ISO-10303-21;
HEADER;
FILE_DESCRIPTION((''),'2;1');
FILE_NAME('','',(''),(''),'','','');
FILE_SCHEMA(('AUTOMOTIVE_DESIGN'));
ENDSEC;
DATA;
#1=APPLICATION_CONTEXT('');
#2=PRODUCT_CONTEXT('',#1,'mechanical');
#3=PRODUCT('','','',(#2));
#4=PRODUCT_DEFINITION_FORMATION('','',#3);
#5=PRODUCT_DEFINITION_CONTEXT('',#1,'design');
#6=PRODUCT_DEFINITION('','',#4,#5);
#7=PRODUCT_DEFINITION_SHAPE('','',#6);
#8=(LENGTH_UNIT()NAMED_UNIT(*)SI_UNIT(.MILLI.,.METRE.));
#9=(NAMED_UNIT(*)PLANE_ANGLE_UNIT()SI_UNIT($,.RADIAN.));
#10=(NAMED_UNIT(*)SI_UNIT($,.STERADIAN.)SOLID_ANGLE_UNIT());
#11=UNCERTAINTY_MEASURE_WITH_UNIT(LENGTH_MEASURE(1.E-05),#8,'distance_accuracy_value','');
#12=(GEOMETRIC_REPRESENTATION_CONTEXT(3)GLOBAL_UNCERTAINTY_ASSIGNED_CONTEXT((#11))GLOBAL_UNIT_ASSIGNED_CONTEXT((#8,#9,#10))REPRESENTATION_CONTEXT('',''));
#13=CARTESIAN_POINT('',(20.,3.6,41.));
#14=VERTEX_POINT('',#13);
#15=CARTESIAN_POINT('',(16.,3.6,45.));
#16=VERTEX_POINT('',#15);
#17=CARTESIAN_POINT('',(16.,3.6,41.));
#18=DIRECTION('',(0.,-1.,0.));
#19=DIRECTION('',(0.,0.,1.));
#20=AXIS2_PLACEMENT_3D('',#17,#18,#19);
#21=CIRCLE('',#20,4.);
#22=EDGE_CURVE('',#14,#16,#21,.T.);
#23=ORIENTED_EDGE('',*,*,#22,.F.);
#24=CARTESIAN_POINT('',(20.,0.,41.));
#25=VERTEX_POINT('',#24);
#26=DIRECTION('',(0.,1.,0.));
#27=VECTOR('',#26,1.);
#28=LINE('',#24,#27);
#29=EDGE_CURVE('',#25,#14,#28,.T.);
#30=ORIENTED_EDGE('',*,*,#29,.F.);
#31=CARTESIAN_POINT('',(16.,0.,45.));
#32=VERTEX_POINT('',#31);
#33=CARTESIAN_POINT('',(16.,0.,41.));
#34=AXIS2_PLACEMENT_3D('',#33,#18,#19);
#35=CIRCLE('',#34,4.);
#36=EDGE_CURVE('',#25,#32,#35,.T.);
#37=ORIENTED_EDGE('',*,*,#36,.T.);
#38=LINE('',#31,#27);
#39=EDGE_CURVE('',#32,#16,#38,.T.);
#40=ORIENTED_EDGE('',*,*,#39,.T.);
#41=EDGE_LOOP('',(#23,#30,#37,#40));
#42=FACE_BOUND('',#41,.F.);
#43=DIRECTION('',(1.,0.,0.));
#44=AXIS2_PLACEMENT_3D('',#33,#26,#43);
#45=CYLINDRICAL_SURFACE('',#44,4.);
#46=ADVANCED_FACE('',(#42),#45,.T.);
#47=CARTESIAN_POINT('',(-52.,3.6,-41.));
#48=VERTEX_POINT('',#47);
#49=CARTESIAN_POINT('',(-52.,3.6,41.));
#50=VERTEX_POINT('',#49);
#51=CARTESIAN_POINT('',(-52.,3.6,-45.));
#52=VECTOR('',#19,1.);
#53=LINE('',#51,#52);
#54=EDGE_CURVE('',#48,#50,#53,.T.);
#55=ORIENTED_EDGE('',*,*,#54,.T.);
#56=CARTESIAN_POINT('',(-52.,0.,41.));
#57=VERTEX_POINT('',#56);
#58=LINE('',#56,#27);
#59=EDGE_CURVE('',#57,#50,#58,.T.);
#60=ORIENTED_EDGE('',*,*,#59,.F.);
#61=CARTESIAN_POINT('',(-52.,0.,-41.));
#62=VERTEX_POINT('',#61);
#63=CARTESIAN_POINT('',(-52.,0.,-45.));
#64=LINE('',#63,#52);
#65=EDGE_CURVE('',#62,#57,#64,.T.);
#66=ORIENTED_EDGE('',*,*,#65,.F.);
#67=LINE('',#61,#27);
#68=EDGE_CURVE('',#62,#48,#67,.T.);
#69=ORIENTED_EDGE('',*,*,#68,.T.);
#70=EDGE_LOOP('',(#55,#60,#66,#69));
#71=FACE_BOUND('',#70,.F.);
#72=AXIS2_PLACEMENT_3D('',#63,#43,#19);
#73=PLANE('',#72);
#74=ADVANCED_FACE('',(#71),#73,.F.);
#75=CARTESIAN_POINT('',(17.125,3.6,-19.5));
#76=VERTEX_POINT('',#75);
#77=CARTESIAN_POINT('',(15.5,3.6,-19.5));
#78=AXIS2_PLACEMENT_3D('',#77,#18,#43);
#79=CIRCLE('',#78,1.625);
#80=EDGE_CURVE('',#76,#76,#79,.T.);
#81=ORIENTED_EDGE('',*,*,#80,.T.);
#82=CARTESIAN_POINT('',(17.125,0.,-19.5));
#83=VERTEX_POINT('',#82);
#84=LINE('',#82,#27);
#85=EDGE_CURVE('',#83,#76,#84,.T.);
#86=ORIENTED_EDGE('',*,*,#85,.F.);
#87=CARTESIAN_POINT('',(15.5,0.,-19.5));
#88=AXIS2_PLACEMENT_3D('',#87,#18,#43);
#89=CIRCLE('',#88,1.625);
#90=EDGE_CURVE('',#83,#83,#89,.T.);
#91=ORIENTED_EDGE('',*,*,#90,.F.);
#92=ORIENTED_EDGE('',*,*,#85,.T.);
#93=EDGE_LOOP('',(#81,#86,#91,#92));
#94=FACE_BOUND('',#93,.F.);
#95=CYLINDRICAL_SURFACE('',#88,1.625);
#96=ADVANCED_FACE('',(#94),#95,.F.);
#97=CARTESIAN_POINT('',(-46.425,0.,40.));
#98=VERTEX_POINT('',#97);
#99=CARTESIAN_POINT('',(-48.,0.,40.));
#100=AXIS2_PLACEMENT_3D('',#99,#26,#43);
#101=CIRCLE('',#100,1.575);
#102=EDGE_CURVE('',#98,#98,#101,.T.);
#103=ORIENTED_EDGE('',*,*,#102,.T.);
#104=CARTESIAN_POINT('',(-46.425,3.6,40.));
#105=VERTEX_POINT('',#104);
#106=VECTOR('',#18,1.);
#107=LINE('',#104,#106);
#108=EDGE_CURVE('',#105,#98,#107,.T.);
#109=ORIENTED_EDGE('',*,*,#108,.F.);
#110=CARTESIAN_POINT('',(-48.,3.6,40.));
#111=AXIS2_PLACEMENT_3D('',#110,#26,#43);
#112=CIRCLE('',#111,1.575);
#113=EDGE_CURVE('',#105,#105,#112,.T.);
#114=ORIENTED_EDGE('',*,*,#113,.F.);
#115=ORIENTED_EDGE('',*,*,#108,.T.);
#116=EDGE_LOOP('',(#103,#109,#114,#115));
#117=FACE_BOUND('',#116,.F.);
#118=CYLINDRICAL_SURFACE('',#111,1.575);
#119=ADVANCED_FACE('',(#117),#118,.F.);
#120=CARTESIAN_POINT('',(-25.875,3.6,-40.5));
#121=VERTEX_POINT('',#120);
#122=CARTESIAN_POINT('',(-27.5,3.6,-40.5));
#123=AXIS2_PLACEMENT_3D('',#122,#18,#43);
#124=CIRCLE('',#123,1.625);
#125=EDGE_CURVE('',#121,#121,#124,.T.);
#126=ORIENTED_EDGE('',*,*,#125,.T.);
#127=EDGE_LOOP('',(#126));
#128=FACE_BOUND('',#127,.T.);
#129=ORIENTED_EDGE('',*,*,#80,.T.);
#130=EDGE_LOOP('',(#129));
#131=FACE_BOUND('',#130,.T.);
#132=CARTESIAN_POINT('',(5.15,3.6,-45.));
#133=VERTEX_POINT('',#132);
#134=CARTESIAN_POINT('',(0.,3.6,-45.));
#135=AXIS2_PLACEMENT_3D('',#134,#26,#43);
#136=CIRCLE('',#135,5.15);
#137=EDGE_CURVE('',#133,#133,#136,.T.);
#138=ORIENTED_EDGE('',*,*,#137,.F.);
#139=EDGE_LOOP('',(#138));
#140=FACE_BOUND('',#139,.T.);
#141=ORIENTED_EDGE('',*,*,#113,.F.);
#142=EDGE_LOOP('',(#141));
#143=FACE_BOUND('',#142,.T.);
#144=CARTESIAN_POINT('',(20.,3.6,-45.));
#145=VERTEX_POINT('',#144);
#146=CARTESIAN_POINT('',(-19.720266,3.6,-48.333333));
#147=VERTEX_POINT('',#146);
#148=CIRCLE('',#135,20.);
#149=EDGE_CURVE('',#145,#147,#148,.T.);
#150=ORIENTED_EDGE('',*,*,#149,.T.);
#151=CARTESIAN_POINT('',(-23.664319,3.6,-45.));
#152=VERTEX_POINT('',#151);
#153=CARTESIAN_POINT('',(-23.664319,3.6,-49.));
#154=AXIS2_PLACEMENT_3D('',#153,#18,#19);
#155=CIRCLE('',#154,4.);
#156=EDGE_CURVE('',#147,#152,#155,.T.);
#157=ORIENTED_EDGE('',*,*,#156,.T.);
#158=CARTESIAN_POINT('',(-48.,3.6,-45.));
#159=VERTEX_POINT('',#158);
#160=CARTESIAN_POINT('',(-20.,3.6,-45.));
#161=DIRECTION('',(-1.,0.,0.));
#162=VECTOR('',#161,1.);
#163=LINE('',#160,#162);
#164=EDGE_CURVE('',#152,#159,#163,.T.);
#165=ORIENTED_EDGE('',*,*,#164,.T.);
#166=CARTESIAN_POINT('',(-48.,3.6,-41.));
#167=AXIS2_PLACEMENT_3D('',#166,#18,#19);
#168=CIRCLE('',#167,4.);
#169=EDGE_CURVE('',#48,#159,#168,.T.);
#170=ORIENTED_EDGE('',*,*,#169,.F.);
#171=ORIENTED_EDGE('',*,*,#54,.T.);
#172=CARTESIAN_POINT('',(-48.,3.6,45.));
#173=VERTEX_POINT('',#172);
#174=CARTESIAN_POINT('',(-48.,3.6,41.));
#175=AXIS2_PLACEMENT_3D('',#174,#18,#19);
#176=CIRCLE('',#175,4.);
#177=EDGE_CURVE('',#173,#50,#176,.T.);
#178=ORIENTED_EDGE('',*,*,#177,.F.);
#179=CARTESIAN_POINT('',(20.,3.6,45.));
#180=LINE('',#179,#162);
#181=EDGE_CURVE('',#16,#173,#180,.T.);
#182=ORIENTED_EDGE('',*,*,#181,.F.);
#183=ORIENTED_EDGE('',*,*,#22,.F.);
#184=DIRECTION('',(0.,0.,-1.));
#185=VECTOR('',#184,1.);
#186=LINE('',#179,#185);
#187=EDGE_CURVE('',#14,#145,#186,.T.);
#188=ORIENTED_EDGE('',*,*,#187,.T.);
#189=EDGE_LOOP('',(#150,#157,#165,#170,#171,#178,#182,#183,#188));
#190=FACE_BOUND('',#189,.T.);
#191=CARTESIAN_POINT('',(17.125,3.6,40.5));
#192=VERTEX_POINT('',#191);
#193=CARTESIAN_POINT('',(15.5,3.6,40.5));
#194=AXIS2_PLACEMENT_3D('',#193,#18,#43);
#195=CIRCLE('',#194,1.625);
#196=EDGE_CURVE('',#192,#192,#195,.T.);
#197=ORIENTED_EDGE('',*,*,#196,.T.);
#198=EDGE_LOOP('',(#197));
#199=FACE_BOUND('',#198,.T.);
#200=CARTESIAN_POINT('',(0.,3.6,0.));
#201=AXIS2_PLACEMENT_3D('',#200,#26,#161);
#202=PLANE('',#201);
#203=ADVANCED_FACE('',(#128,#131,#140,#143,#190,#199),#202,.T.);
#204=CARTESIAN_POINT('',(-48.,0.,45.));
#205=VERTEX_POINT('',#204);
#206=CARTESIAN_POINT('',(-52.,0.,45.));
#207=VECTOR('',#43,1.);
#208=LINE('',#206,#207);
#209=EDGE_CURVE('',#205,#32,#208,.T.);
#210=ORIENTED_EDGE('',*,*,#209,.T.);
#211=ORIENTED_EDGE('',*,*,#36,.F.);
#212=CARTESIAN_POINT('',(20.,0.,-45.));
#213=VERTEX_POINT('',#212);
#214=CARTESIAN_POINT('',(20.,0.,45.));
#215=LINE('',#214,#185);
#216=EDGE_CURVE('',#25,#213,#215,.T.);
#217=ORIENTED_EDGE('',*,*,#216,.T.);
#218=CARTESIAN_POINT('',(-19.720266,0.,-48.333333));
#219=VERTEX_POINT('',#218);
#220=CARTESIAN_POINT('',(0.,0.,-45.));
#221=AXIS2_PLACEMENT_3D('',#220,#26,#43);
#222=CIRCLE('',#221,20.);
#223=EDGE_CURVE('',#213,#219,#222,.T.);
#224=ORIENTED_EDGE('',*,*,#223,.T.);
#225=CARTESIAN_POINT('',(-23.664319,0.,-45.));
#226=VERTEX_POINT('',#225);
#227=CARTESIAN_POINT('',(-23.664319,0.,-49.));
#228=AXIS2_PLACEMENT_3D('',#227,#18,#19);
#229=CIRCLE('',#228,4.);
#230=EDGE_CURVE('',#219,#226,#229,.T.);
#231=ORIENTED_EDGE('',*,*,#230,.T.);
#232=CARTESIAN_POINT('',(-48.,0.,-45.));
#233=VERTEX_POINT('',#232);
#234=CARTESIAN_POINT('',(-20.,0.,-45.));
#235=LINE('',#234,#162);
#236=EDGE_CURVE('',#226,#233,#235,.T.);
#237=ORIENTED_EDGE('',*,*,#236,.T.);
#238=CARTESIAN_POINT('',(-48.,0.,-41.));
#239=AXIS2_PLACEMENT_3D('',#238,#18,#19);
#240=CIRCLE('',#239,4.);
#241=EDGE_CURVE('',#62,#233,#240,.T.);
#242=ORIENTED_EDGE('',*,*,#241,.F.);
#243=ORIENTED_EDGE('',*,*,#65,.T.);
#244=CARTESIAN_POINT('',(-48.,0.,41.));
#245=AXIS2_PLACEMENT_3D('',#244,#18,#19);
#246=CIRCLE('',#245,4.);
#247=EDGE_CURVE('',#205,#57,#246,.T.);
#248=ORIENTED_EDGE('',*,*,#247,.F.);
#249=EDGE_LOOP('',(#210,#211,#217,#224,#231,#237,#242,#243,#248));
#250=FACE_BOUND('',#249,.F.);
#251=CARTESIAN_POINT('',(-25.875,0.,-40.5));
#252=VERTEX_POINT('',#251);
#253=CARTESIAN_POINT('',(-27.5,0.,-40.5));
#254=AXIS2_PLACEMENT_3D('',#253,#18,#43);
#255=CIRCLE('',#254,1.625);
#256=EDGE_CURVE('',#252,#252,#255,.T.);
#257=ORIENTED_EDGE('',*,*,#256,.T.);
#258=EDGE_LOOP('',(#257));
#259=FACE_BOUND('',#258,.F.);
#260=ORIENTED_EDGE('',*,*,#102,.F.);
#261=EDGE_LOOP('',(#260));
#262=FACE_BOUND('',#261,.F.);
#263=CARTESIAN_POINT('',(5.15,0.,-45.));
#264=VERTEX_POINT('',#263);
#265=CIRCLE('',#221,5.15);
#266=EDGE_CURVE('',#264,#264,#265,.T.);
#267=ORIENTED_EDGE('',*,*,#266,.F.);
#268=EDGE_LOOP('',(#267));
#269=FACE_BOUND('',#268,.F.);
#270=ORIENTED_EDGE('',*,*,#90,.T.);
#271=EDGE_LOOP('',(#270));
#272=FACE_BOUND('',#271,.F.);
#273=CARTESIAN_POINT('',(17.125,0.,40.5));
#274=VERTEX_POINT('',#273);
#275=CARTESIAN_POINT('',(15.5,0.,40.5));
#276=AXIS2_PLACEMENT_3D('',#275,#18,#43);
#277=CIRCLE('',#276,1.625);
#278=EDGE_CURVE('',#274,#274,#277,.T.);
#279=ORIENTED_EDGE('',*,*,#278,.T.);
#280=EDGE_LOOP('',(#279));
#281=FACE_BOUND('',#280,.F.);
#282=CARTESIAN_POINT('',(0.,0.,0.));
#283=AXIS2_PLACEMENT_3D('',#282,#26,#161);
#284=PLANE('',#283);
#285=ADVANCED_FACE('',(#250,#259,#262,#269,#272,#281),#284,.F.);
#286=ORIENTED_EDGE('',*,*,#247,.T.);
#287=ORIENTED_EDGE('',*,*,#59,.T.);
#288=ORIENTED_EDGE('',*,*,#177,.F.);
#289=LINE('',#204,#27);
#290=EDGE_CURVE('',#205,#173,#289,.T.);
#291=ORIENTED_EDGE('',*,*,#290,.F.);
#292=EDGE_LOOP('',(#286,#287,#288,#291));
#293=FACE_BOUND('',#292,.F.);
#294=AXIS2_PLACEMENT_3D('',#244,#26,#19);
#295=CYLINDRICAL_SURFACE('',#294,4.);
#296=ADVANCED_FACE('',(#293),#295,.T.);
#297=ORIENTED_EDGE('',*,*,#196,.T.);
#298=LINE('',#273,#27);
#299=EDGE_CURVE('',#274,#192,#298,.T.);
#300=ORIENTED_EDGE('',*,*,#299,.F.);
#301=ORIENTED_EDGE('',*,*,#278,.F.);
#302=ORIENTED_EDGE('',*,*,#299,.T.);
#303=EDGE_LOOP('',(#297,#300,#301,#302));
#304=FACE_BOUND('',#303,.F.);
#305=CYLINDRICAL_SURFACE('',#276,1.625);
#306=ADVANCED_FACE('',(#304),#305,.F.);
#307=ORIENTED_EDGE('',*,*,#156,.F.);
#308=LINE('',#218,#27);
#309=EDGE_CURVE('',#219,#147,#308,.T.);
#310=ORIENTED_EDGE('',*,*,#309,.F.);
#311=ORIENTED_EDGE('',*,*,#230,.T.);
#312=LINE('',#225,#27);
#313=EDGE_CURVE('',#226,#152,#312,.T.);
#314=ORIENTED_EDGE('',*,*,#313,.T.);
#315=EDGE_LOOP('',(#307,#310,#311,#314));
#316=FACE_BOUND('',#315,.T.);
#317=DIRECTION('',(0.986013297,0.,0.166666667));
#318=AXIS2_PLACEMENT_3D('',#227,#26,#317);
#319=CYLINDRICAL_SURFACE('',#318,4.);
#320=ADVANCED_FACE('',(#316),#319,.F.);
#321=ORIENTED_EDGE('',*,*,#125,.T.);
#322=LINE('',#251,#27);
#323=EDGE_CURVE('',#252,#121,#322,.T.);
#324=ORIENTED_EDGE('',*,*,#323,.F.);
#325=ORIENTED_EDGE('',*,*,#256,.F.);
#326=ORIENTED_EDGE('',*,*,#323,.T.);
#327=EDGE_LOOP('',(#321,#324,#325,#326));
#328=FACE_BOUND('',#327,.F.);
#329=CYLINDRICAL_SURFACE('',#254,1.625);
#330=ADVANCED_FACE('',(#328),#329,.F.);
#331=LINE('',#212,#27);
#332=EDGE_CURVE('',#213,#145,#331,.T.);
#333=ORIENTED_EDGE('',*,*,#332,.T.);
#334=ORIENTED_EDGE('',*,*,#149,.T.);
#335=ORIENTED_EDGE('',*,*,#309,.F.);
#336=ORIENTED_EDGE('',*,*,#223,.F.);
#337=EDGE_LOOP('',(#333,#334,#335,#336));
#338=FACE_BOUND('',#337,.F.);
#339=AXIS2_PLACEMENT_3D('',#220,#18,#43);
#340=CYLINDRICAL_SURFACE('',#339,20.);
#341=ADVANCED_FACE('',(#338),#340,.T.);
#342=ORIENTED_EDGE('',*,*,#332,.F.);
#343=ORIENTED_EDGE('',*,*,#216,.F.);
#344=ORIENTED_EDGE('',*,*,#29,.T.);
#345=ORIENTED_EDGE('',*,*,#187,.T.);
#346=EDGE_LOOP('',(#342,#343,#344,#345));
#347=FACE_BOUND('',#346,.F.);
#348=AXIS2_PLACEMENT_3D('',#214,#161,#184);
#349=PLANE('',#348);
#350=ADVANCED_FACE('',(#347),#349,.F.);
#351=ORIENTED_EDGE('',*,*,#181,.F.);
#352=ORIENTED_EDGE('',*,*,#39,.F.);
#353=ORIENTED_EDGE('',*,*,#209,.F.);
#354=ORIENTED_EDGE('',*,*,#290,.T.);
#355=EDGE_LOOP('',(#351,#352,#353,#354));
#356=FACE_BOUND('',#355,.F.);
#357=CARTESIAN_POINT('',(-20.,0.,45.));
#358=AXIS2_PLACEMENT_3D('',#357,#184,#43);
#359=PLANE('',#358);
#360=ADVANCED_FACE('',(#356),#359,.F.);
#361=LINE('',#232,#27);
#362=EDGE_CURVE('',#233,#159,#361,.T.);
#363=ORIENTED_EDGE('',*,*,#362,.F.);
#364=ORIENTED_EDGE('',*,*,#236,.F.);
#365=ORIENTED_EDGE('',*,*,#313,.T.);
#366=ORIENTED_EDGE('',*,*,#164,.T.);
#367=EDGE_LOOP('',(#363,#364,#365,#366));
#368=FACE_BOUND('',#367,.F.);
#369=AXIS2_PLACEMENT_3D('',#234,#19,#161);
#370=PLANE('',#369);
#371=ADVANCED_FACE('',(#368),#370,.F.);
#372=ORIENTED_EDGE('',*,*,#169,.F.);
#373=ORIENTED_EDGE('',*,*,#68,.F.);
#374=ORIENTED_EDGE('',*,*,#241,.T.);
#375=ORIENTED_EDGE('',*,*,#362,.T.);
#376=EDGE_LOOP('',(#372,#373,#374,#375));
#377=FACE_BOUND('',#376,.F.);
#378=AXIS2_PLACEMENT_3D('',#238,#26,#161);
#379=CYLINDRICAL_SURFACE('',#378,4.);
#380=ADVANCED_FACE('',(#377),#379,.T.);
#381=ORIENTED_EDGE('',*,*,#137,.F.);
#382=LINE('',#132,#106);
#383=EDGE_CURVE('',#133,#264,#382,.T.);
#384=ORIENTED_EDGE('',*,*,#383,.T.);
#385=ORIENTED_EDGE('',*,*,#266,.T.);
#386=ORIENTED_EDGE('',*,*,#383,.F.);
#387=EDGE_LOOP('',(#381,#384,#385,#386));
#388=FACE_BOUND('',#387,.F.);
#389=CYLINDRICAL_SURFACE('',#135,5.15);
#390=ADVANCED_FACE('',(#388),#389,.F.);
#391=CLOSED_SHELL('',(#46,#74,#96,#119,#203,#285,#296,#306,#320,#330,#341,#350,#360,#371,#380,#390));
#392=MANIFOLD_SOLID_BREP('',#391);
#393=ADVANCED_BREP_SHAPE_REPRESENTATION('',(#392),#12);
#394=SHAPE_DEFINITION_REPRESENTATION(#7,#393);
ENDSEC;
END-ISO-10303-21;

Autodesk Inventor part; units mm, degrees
ref_plane "YZ Plane" through (0, 0, 0) normal (1, 0, 0) x (0, 1, 0)
ref_plane "XZ Plane" through (0, 0, 0) normal (0, 1, 0) x (-1, 0, 0)
ref_plane "XY Plane" through (0, 0, 0) normal (0, 0, 1) x (1, 0, 0)
sketch "Sketch1" plane through (0, 0, 0) normal (0, 1, 0) x (-1, 0, 0)
  line L0 (20, 45) -> (-20, 45)
  line L1 (-20, 45) -> (-20, -45)
  line L2 (-20, -45) -> (20, -45)
  line L3 (20, -45) -> (20, 45)
  line L4 (20, 45) -> (-20, -45) construction
  line L5 (-20, 45) -> (20, -45) construction
  arc A0 (-20, -45) -> (20, -45) centre (0, -45) ccw
  line L6 (20, -45) -> (52, -45)
  line L7 (52, -45) -> (52, 45)
  line L8 (52, 45) -> (20, 45)
  line L9 (20, 45) -> (20, -45)
  point P0 (0, 0)
  dimension "d0" = 40
  dimension "d1" = 90
  dimension "d7" = 32
  dimension "d8" = 90
extrude "Extrusion1" add sketch "Sketch1" along normal blind 3.6
sketch "Sketch2" plane through (0, 3.6, 0) normal (0, 1, 0) x (1, 0, 0)
  arc A0 (20, 45) -> (-20, 45) centre (0, 45) ccw projected
  circle A1 centre (0, 45) radius 5.15
  point P0 (0, 0)
  dimension "d4" = 10.3
extrude "Extrusion2" cut sketch "Sketch2" against normal blind 3.6
fillet "Fillet1" radius 4 4 edges at (-20, 1.8, -45) (-52, 1.8, -45) (-52, 1.8, 45) (20, 1.8, 45)
sketch "Sketch3" plane through (0, 0, 0) normal (0, -1, 0) x (1, 0, 0)
  circle A0 centre (15.5, 40.5) radius 1.625
  circle A1 centre (15.5, -19.5) radius 1.625
  circle A2 centre (-27.5, -40.5) radius 1.625
  line L0 (-52, -41) -> (-52, 41) projected
  line L1 (-23.6643, -45) -> (-48, -45) projected
  line L2 (20, 41) -> (20, -45) projected
  line L3 (-48, 45) -> (16, 45) projected
  point P0 (0, 0)
  dimension "d10" = 3.25
  dimension "d11" = 3.25
  dimension "d12" = 3.25
  dimension "d13" = 24.5
  dimension "d14" = 4.5
  dimension "d15" = 4.5
  dimension "d16" = 4.5
  dimension "d17" = 4.5
  dimension "d18" = 60
extrude "Extrusion3" cut sketch "Sketch3" against normal blind 3.8
sketch "Sketch4" plane through (0, 3.6, 0) normal (0, 1, 0) x (1, 0, 0)
  circle A0 centre (-48, -40) radius 1.575
  line L0 (-48, -45) -> (16, -45) projected
  line L1 (-52, 41) -> (-52, -41) projected
  point P0 (0, 0)
  dimension "d21" = 3.15
  dimension "d22" = 5
  dimension "d23" = 4
extrude "Extrusion4" cut sketch "Sketch4" against normal blind 3.8
properties part number "p1"
